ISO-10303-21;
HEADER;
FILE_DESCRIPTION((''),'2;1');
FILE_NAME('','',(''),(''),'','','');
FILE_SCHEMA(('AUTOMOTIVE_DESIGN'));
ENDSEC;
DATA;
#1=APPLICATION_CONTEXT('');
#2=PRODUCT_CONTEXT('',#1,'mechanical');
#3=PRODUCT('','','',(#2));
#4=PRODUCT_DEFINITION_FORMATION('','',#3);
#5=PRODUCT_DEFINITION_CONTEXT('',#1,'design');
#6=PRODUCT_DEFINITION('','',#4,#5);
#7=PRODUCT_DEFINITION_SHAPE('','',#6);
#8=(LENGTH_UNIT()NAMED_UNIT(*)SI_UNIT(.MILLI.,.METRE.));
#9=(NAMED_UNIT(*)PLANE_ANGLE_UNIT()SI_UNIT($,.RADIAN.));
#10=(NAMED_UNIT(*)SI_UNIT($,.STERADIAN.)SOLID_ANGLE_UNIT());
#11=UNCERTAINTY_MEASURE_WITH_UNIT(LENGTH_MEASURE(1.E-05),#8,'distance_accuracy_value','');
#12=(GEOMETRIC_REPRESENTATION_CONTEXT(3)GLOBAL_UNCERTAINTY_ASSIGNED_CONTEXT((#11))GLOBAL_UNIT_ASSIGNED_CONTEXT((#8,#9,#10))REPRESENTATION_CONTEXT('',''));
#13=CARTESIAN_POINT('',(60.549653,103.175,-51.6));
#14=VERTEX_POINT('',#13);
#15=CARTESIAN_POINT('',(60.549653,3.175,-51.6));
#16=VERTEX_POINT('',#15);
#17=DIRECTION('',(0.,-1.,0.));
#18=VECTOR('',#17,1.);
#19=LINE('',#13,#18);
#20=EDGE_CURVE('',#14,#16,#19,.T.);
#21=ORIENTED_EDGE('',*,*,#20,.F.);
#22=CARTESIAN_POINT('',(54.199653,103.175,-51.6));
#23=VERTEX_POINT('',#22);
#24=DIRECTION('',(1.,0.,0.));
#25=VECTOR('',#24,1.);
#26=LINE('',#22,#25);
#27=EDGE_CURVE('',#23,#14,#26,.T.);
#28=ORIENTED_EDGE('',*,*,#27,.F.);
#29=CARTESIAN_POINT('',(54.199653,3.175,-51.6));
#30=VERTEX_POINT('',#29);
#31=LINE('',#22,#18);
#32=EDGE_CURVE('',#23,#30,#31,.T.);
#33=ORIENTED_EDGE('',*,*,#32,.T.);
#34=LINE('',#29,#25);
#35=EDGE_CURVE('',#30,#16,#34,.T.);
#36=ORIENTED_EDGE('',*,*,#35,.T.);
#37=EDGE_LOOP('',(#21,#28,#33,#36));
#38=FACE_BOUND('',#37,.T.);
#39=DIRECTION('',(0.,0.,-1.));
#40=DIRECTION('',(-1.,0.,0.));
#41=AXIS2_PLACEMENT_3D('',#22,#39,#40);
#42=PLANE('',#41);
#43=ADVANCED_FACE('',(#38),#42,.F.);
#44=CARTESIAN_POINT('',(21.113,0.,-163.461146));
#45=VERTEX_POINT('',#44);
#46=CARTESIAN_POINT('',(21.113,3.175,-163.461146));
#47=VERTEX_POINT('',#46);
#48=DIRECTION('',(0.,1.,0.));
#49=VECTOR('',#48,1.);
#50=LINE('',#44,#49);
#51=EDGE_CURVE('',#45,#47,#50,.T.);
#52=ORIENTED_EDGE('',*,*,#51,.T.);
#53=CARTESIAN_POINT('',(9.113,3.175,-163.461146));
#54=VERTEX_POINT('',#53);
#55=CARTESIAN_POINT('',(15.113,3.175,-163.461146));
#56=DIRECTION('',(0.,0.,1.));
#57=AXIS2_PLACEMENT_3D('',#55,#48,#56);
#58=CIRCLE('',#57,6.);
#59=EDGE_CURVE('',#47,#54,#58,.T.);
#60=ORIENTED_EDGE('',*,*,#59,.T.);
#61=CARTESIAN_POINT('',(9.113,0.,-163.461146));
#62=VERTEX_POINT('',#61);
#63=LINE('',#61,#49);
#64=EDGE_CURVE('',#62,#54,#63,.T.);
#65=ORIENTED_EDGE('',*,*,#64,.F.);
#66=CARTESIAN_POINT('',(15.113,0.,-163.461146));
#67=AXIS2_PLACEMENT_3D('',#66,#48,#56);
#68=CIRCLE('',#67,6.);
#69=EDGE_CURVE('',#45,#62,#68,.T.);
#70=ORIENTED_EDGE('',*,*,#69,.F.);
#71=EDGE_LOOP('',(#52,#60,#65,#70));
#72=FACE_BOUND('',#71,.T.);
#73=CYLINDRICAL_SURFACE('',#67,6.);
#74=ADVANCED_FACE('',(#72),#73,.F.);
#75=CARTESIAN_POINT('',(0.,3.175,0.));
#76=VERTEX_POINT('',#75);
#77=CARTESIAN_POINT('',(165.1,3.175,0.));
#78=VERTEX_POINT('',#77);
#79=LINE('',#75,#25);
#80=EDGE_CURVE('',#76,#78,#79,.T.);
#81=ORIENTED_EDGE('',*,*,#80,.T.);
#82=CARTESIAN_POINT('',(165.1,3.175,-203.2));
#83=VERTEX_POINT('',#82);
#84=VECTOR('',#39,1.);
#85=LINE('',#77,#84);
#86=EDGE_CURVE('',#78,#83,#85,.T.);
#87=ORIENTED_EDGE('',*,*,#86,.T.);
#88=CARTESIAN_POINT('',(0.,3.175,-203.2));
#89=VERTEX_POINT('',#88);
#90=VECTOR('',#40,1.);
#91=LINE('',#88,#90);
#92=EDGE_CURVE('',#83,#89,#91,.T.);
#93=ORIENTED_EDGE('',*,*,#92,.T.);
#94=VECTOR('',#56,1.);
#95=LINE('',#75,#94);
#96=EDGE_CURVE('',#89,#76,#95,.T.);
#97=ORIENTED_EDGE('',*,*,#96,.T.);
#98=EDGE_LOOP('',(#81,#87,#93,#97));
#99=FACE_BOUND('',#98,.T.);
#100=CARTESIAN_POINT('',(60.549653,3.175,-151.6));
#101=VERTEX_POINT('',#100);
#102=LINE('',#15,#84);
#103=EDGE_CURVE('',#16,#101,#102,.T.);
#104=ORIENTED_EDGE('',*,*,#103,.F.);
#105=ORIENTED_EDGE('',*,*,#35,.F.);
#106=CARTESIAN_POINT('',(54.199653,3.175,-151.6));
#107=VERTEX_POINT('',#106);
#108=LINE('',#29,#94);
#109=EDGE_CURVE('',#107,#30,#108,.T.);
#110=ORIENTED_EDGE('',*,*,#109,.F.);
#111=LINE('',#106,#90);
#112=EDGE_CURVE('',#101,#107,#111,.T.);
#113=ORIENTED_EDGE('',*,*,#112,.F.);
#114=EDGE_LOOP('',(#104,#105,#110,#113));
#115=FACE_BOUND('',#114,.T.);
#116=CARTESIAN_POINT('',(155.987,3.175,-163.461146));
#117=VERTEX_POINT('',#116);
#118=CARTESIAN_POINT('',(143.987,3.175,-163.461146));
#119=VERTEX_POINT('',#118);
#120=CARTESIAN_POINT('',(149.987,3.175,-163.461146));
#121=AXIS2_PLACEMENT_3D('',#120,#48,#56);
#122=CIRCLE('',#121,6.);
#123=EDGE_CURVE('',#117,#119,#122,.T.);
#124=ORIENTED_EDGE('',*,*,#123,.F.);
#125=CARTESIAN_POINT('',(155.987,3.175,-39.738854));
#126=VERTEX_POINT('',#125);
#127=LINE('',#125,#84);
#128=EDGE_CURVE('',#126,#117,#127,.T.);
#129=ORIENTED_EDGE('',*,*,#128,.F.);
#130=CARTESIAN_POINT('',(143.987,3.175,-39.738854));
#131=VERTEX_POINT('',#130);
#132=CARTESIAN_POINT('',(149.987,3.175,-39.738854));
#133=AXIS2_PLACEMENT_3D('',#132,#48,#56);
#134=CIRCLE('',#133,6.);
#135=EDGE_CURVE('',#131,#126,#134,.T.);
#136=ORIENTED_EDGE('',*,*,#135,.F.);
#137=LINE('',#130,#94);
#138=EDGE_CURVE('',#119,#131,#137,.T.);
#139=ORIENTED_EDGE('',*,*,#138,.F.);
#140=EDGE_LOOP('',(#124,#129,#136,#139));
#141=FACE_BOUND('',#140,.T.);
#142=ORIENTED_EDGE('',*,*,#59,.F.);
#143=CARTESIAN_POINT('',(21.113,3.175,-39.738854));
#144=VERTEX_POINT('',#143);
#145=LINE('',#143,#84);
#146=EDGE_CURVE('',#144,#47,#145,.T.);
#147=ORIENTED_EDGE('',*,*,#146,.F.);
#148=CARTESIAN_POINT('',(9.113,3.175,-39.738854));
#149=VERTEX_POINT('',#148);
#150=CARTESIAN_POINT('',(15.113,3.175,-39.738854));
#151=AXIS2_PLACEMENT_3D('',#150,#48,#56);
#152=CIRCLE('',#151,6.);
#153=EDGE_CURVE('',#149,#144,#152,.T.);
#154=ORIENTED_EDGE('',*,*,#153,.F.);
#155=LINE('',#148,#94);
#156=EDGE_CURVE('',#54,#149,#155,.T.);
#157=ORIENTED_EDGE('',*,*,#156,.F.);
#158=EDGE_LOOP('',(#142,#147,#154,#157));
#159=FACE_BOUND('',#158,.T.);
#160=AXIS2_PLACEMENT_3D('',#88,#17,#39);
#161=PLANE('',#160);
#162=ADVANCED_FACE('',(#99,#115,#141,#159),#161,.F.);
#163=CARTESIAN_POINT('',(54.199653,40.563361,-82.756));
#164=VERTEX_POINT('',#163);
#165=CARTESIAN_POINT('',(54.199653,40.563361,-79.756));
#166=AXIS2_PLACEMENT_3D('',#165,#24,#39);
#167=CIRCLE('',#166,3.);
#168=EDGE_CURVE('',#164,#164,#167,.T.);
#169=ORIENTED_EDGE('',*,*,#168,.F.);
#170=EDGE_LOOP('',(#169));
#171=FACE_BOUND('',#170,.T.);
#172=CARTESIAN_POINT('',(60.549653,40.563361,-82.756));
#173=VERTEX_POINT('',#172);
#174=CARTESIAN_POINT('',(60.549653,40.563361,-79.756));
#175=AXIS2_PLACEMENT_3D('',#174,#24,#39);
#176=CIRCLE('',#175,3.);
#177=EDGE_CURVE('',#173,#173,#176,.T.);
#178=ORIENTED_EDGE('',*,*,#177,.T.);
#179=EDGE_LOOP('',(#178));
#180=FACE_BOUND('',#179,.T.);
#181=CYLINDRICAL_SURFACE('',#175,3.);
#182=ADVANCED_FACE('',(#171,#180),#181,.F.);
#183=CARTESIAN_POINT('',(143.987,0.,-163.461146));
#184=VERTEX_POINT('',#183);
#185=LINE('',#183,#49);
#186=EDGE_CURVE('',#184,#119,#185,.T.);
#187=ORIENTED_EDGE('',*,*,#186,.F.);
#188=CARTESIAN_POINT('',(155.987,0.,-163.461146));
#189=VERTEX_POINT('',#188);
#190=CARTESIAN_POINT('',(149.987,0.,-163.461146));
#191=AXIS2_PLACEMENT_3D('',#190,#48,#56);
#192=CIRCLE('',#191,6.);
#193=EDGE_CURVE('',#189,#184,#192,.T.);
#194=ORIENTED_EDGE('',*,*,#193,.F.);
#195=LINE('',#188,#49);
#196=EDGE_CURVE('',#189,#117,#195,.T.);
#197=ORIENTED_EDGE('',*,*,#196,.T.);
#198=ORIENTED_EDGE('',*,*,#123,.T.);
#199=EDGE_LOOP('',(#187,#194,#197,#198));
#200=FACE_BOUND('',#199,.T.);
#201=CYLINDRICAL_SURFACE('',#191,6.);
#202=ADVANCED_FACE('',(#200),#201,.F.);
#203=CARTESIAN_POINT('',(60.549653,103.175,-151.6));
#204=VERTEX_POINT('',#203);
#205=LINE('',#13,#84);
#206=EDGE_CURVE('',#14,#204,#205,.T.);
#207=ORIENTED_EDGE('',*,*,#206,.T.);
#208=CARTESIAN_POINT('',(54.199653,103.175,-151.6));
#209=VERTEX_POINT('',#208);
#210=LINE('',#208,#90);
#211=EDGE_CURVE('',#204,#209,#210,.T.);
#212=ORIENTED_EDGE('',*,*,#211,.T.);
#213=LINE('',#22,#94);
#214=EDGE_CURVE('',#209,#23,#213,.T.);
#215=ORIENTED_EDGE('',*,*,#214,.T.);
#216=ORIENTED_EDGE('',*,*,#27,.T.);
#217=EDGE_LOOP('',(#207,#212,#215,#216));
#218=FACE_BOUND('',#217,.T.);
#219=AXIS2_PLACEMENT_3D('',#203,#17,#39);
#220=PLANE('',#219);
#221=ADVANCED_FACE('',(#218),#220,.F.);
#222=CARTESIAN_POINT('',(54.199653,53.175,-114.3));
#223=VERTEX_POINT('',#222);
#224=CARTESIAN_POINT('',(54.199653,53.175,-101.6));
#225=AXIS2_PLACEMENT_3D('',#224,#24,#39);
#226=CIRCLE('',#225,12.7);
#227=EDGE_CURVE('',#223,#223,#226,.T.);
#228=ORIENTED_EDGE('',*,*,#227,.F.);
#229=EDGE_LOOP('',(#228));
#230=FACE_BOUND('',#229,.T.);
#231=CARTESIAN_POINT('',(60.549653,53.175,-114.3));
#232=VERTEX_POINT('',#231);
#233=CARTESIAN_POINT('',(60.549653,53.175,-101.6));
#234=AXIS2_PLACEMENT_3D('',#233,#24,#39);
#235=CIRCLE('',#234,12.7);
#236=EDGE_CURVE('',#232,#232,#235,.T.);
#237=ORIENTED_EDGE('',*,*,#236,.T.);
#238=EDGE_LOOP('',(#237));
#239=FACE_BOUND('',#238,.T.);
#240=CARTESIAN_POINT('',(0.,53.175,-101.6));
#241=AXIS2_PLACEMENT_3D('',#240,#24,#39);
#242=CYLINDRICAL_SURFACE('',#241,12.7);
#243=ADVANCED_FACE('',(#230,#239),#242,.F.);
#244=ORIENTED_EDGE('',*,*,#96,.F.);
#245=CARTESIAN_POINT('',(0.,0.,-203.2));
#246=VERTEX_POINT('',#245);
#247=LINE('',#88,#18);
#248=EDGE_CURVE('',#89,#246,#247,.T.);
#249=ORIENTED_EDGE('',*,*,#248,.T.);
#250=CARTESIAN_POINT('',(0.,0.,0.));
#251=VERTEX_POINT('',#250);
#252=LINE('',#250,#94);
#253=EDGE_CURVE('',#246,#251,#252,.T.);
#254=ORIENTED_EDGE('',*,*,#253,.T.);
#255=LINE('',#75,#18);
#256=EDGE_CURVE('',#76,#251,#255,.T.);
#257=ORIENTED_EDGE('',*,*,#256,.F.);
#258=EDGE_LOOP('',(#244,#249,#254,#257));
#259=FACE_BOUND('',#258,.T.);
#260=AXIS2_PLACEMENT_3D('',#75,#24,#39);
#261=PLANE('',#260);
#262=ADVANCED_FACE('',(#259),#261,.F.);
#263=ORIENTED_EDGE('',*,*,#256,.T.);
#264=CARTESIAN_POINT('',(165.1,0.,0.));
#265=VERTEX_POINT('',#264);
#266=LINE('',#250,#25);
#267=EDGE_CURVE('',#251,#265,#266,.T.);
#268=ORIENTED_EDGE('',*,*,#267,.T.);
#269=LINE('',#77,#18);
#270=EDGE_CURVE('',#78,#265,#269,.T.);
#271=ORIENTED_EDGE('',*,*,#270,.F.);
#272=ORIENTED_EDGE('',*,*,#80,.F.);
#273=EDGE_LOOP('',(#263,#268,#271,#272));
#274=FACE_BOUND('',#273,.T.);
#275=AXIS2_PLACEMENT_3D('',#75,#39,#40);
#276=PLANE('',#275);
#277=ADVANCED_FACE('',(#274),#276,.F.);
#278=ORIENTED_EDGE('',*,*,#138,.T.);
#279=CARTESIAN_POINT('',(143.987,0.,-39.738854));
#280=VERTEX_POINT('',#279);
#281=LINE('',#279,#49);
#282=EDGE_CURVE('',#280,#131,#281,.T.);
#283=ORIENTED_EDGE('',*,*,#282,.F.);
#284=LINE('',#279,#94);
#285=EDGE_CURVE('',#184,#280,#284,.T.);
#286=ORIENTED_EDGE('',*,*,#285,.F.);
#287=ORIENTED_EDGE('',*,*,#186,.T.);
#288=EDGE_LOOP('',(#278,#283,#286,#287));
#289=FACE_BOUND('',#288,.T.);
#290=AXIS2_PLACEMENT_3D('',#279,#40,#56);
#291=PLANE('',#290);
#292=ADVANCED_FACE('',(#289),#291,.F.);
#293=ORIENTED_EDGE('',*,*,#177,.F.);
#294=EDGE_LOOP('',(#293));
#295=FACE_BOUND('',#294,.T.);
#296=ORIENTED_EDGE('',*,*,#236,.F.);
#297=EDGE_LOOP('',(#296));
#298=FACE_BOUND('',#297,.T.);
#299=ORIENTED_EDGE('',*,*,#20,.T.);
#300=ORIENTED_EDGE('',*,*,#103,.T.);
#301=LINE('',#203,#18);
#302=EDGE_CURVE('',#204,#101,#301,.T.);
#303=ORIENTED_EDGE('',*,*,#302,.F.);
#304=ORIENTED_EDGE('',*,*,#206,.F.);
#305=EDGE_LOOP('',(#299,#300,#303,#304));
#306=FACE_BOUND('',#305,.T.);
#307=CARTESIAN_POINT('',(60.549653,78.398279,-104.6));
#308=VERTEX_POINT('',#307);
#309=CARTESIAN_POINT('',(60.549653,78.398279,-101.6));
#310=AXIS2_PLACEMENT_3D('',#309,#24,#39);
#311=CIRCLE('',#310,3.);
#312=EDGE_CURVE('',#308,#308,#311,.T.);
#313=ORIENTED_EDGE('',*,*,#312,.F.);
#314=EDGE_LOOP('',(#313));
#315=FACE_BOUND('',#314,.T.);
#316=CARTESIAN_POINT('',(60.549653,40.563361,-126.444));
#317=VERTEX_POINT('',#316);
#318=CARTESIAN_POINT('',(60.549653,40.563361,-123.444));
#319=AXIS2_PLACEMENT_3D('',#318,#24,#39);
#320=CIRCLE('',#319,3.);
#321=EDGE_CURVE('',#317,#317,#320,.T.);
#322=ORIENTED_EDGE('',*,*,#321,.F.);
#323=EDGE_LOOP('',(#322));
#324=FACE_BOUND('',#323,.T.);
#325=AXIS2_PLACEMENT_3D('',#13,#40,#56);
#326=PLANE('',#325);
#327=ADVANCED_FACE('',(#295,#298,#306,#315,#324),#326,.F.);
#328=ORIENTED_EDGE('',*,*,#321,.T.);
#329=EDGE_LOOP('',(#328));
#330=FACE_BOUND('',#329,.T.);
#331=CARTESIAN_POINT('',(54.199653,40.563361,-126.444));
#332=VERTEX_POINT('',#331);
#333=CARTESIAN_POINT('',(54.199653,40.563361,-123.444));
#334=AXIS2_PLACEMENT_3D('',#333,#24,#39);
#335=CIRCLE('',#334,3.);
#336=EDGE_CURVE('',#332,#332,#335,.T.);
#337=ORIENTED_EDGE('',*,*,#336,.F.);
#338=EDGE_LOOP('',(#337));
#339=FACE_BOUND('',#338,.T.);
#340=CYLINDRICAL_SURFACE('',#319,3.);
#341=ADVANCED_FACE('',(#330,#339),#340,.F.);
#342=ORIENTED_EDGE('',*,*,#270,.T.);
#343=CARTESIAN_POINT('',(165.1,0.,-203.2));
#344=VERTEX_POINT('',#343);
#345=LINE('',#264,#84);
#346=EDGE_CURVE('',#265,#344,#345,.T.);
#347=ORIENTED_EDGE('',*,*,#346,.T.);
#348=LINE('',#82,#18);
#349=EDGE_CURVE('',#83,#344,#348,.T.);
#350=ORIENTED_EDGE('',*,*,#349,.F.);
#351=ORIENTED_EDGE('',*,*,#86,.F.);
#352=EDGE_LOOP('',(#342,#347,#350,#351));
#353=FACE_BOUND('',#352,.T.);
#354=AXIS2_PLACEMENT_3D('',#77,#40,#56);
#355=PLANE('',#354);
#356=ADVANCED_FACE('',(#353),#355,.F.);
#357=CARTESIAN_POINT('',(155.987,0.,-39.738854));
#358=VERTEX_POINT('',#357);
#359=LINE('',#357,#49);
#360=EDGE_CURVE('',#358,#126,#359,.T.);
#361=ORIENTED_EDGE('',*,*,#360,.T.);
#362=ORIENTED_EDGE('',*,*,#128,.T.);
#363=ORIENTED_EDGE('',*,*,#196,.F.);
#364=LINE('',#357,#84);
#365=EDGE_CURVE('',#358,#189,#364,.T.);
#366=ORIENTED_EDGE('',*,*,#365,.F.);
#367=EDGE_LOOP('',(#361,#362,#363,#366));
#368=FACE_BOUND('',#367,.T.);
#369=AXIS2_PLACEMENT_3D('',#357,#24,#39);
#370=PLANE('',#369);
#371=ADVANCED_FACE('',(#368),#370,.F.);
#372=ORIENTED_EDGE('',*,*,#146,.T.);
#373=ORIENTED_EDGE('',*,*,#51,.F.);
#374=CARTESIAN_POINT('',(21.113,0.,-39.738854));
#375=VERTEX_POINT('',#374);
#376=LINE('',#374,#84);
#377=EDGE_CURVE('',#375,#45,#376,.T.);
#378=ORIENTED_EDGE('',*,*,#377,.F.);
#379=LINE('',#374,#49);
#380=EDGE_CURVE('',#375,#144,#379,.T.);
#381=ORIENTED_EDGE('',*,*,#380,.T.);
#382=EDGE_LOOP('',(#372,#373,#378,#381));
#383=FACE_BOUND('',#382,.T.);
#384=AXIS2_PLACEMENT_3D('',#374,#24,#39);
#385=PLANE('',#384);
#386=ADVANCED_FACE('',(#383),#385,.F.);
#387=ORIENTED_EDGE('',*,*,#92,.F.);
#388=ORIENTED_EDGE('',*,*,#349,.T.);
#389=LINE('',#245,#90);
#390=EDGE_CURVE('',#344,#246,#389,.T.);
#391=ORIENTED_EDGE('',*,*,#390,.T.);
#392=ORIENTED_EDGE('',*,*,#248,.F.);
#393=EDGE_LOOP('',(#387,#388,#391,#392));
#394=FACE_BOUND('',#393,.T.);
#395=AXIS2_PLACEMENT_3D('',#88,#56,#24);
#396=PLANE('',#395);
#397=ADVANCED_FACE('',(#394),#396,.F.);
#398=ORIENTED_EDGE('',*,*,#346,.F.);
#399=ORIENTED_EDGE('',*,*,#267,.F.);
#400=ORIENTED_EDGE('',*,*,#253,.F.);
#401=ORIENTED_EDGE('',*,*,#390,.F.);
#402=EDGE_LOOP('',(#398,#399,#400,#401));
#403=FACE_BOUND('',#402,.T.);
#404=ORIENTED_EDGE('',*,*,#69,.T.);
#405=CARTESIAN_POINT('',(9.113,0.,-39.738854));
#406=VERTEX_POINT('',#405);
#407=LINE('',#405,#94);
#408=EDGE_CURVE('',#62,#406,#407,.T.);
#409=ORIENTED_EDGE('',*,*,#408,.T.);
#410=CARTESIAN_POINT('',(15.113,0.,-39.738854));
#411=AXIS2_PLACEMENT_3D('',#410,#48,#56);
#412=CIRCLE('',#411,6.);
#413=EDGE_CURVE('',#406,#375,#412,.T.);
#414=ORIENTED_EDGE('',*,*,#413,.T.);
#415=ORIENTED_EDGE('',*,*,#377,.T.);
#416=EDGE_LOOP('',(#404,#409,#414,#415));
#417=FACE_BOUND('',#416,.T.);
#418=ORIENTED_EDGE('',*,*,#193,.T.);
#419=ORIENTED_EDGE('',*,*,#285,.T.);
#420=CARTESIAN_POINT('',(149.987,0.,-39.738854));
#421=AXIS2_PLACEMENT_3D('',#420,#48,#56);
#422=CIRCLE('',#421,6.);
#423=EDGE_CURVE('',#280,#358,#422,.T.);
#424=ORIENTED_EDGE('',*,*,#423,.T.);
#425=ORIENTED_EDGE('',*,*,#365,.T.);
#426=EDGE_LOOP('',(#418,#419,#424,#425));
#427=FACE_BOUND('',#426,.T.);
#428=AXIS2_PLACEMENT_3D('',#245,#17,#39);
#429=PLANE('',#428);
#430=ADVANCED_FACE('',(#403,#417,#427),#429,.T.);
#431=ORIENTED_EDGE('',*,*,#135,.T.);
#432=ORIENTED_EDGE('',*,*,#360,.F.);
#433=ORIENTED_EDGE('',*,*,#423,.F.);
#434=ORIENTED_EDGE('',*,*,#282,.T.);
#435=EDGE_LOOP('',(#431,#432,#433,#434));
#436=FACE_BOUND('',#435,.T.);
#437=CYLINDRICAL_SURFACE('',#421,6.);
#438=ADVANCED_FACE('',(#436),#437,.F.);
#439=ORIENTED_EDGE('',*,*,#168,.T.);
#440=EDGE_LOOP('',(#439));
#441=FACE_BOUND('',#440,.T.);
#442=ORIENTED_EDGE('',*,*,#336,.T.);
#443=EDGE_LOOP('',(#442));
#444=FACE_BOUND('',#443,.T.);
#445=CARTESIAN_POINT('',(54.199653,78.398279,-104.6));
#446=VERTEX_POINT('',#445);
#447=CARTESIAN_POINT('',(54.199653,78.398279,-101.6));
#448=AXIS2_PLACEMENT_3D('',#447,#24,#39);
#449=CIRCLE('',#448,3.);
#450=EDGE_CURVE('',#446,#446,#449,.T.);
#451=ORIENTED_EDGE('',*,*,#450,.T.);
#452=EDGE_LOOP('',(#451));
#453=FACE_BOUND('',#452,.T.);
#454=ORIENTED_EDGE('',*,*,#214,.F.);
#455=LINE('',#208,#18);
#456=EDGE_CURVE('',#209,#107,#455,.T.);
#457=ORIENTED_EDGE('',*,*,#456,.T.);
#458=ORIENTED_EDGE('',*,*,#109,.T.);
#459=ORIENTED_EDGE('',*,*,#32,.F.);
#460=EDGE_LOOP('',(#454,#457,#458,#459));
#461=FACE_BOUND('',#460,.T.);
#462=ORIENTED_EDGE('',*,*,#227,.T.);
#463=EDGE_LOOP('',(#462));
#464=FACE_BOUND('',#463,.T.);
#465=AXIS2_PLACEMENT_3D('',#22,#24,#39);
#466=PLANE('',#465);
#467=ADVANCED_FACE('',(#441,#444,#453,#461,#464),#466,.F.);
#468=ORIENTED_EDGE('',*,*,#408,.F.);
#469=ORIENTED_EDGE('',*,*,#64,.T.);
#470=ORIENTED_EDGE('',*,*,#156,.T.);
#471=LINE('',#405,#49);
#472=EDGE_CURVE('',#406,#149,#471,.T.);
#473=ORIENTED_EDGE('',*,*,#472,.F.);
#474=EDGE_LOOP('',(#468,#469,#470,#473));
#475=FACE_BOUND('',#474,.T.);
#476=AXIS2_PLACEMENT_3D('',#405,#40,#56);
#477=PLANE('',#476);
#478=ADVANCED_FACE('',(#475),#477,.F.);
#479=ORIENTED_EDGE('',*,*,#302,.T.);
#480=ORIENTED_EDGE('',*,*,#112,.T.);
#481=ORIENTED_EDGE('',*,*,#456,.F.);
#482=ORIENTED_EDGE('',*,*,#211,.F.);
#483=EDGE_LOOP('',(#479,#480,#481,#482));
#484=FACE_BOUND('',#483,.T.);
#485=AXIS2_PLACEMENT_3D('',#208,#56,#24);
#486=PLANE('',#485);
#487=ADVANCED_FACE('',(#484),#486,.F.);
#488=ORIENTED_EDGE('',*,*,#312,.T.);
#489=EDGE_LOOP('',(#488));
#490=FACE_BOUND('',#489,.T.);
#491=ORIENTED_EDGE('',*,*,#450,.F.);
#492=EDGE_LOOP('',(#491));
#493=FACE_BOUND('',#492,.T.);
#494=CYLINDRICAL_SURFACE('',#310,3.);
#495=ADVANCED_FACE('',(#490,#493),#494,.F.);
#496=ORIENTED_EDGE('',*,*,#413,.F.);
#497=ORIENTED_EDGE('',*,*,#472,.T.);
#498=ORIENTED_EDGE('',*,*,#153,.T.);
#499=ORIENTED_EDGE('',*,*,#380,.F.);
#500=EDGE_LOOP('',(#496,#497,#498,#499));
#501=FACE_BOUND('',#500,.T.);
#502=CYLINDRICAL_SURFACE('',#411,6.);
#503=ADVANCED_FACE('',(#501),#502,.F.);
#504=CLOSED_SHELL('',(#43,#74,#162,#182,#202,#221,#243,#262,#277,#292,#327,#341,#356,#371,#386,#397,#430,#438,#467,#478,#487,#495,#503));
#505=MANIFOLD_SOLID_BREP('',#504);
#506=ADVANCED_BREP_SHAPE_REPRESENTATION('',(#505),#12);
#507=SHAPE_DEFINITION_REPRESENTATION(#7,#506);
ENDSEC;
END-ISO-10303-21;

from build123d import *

# Parameters (mm, degrees)
SKETCH1_W                = 165.1
SKETCH1_H                = 203.2
BOSS_EXTRUDE1_DEPTH      = 3.175
CUT_EXTRUDE1_DEPTH       = 4.175
SKETCH3_W                = 6.35
SKETCH3_H                = 100
BOSS_EXTRUDE2_DEPTH      = 100
F_6_0_6_DIAMETER_HOLE1_D = 6
SKETCH4_R                = 12.7
CUT_EXTRUDE2_DEPTH       = 61.549652809


with BuildPart() as part:
    # Sketch1 → Boss-Extrude1 (new body)
    with BuildSketch(Plane(origin=(0, 0, 0), x_dir=(1, 0, 0), z_dir=(0, 1, 0))):
        with Locations((82.55, 101.6)):
            Rectangle(SKETCH1_W, SKETCH1_H)
    extrude(amount=BOSS_EXTRUDE1_DEPTH)

    # Sketch2 → Cut-Extrude1 (cut, through all)
    with BuildSketch(Plane(origin=(0, 3.175, 0), x_dir=(-1, 0, 0), z_dir=(0, 1, 0))):
        with BuildLine():
            Line((-9.113, -39.738854308), (-9.113, -163.461145692))
            ThreePointArc((-9.113, -163.461145692), (-15.113, -169.461145692), (-21.113, -163.461145692))
            Line((-21.113, -163.461145692), (-21.113, -39.738854308))
            ThreePointArc((-21.113, -39.738854308), (-15.113, -33.738854308), (-9.113, -39.738854308))
        make_face()
        with BuildLine():
            Line((-143.987, -39.738854308), (-143.987, -163.461145692))
            ThreePointArc((-143.987, -163.461145692), (-149.987, -169.461145692), (-155.987, -163.461145692))
            Line((-155.987, -163.461145692), (-155.987, -39.738854308))
            ThreePointArc((-155.987, -39.738854308), (-149.987, -33.738854308), (-143.987, -39.738854308))
        make_face()
    extrude(amount=-CUT_EXTRUDE1_DEPTH, mode=Mode.SUBTRACT)

    # Sketch3 → Boss-Extrude2 (add)
    with BuildSketch(Plane(origin=(0, 3.175, 0), x_dir=(-1, 0, 0), z_dir=(0, 1, 0))):
        with Locations((-57.374652809, -101.6)):
            Rectangle(SKETCH3_W, SKETCH3_H)
    extrude(amount=BOSS_EXTRUDE2_DEPTH)

    # Ø6.0 (6) Diameter Hole1 (through all)
    with Locations(Plane(origin=(60.549652809, 78.39827856, -101.6), x_dir=(0, 0, 1), z_dir=(1, 0, 0))):
        with Locations((0, 0), (21.844, 37.83491784), (-21.844, 37.83491784)):
            Hole(F_6_0_6_DIAMETER_HOLE1_D / 2)

    # Sketch4 → Cut-Extrude2 (cut, through all)
    with BuildSketch(Plane(origin=(60.549652809, 0, 0), x_dir=(0, 0, -1), z_dir=(1, 0, 0))):
        with Locations((101.6, 53.175)):
            Circle(SKETCH4_R)
    extrude(amount=-CUT_EXTRUDE2_DEPTH, mode=Mode.SUBTRACT)


solid = part.part
